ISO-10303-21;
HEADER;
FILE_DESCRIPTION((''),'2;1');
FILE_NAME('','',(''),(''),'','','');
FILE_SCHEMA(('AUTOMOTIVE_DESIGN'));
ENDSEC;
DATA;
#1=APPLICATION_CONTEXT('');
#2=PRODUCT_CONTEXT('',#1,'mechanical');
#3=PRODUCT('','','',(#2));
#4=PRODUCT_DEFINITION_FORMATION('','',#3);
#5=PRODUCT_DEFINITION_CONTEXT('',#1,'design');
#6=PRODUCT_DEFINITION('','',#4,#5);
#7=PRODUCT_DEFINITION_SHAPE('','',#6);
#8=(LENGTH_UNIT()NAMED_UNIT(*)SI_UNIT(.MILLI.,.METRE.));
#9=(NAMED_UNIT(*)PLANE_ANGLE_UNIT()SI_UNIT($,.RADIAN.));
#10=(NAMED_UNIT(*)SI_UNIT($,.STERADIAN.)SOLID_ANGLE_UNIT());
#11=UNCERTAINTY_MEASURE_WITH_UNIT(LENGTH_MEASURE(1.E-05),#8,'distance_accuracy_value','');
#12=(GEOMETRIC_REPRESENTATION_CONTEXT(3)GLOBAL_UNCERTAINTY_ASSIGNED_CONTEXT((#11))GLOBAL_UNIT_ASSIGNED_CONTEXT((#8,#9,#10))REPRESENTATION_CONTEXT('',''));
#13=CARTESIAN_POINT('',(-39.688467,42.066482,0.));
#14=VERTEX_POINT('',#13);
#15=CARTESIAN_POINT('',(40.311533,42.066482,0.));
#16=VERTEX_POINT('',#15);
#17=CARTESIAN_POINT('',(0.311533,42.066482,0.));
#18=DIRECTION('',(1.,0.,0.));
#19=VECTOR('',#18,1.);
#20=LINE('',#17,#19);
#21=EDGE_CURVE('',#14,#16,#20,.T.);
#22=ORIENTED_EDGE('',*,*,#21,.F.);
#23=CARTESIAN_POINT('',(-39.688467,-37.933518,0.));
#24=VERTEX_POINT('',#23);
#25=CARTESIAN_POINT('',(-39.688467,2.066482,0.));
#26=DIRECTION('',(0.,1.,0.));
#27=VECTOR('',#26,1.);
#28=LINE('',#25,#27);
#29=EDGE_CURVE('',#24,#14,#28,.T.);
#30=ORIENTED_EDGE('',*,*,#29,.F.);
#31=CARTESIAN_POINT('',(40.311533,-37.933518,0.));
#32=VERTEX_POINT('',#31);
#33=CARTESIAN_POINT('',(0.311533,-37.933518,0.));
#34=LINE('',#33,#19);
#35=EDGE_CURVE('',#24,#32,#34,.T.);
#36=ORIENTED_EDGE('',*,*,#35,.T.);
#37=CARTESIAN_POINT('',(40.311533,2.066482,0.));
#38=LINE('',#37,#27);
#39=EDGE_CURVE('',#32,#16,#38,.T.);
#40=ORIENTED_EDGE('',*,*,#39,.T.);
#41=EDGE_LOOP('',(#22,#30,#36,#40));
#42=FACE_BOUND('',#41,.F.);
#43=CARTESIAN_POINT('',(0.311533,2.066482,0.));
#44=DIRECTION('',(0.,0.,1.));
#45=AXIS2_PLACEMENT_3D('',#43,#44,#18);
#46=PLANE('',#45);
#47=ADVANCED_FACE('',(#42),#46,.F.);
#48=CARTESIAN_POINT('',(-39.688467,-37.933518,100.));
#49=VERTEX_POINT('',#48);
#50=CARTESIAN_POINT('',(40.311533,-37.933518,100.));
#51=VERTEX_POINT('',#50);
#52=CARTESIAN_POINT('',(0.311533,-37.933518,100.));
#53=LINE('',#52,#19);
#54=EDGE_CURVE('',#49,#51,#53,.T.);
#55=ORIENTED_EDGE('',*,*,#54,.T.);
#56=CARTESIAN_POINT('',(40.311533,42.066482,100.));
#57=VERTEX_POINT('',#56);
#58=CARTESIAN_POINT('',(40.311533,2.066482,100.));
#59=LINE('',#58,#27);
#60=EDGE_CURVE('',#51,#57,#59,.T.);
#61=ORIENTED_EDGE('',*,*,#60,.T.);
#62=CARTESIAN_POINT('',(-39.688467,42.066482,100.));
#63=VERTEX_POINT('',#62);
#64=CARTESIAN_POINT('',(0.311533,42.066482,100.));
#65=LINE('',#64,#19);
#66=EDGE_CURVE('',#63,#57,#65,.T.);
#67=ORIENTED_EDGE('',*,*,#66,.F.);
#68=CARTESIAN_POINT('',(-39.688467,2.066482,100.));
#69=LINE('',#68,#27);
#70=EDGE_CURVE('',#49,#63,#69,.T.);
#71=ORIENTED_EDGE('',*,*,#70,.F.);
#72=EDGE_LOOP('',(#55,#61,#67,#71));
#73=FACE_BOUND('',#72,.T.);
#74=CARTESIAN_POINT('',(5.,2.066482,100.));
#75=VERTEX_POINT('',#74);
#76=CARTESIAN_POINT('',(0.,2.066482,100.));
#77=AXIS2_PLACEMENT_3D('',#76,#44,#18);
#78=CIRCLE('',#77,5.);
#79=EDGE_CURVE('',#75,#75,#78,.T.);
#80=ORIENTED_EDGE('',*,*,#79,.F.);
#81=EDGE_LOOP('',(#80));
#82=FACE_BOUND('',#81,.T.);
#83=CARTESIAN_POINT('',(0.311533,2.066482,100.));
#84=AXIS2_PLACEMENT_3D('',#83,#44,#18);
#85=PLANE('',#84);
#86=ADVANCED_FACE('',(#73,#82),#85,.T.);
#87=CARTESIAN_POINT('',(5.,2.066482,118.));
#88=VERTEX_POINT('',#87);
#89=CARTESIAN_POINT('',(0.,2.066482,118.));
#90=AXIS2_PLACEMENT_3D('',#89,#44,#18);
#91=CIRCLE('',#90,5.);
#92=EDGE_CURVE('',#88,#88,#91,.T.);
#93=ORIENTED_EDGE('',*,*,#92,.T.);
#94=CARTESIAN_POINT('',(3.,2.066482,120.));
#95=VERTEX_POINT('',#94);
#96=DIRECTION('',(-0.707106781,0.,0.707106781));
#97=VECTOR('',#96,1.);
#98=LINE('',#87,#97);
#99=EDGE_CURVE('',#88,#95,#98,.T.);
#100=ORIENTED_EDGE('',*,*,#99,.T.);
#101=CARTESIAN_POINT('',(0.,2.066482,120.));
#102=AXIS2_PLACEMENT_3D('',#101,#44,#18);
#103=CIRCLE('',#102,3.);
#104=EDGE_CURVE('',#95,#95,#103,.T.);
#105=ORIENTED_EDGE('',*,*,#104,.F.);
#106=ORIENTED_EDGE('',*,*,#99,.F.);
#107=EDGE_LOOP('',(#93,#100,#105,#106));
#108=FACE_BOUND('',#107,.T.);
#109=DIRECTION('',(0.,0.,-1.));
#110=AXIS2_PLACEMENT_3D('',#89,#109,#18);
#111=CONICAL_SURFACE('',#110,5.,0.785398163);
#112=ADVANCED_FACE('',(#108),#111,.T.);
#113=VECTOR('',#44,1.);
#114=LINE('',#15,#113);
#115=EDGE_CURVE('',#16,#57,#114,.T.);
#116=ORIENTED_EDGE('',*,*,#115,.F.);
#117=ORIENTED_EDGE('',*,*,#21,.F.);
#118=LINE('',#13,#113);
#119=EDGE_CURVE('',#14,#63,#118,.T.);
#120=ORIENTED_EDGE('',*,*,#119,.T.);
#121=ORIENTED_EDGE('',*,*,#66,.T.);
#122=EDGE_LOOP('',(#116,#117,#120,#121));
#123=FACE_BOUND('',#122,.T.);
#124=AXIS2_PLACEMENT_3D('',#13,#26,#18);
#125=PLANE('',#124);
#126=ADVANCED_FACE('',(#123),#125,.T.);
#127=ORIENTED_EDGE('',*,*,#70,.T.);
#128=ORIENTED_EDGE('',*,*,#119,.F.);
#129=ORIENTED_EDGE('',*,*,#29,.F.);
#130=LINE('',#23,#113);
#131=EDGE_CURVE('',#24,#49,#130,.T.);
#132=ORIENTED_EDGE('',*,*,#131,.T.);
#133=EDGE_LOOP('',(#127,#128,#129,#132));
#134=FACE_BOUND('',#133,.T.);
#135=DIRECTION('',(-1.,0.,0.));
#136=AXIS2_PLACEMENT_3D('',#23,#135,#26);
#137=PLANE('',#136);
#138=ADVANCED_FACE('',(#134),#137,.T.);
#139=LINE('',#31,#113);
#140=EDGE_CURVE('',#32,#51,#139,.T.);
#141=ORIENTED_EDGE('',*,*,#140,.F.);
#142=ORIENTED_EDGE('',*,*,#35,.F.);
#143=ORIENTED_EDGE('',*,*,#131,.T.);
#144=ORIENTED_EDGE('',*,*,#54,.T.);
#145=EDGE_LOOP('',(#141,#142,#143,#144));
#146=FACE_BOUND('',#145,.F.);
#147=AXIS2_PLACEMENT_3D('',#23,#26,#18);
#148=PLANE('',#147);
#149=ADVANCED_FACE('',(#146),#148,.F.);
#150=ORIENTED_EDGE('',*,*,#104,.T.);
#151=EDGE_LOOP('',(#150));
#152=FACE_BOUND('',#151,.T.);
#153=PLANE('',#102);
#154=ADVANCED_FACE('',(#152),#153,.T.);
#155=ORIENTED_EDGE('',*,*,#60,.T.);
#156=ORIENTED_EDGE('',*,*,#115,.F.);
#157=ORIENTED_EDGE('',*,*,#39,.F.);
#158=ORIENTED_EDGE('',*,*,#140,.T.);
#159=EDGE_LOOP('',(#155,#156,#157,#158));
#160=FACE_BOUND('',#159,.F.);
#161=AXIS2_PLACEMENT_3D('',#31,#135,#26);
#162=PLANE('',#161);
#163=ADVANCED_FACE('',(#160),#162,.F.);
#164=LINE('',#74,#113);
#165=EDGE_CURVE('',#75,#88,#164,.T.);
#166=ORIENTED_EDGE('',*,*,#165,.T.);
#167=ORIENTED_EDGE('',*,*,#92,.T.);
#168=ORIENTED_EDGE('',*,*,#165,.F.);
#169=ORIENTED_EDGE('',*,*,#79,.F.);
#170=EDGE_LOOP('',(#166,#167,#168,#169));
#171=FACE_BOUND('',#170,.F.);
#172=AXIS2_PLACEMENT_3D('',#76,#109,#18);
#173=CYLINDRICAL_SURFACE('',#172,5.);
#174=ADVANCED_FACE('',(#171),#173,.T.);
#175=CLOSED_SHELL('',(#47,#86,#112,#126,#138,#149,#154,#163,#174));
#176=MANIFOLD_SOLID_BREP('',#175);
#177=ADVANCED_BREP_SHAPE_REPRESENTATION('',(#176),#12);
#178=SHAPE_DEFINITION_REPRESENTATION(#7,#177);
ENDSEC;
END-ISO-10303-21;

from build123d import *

# Parameters (mm, degrees)
F0_W     = 80
F0_H     = 80
F1_DEPTH = 100
F2_R     = 5
F3_DEPTH = 20
F4_SIZE  = 2


with BuildPart() as f1:
    # F0 (on Top) → F1 (new body)
    with BuildSketch(Plane.XY):
        with Locations((0.311533, 2.066482)):
            Rectangle(F0_W, F0_H)
    extrude(amount=F1_DEPTH)

    # F2 (on face) → F3 (join)
    with BuildSketch(Plane.XY.offset(100)):
        with Locations((0, 2.066482)):
            Circle(F2_R)
    extrude(amount=F3_DEPTH)

    # F4
    f4_edges = [f1.edges().sort_by_distance(p)[0] for p in [
        (-5, 2.066482, 120),
    ]]
    chamfer(f4_edges, length=F4_SIZE)


solid = f1.part
